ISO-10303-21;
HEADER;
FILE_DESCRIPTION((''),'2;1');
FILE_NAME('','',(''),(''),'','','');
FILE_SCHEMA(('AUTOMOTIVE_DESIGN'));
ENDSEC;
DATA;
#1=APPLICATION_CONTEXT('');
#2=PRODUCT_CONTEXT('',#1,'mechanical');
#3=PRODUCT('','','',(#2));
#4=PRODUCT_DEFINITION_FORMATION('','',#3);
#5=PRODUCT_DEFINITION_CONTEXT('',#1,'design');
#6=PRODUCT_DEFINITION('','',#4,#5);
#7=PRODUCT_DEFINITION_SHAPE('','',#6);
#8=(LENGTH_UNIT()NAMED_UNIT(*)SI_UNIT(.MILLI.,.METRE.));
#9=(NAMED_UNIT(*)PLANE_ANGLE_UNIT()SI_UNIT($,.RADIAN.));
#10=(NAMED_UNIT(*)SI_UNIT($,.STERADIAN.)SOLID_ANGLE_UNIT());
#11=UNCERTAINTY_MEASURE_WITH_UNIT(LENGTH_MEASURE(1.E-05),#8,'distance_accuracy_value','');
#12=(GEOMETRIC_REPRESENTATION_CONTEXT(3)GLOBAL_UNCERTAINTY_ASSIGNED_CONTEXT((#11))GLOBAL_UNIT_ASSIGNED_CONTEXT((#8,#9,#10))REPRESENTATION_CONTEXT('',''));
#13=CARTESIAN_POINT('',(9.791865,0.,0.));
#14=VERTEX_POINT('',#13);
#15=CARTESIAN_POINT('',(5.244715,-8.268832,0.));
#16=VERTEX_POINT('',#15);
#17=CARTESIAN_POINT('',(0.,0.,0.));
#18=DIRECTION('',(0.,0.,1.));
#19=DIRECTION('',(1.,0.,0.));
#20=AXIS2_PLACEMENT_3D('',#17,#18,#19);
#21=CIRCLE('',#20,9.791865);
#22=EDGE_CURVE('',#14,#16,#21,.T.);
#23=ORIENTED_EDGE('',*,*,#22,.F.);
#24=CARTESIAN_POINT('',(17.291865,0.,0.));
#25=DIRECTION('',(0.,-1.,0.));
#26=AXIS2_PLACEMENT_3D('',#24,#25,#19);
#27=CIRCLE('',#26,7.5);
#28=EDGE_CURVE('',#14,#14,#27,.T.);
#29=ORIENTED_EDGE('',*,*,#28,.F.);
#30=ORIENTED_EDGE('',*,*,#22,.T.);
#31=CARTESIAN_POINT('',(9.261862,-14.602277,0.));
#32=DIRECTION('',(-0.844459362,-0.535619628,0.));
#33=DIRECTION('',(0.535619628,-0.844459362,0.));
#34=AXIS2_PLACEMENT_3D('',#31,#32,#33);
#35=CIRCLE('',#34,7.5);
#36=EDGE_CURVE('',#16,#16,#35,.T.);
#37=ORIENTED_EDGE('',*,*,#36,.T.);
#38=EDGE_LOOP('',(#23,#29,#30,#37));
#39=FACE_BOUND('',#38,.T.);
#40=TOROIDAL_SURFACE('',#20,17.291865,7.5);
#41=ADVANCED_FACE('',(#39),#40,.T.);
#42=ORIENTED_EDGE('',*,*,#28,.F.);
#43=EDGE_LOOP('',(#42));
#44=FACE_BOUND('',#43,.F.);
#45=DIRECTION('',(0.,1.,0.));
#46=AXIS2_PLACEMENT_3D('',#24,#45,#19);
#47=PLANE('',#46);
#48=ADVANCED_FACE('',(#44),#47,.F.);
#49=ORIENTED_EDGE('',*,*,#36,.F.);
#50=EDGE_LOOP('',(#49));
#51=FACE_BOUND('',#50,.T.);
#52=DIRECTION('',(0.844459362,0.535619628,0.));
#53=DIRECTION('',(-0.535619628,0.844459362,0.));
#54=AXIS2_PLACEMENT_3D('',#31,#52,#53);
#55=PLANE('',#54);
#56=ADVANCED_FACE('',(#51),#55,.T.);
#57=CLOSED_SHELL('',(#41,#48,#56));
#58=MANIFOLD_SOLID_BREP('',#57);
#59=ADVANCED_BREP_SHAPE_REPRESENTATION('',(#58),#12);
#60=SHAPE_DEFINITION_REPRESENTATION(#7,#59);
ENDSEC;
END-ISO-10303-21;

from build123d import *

# Parameters (mm, degrees)
F2_R = 7.5


with BuildPart() as f3:
    # F3: sweep along a path in F0
    with BuildLine(Plane.XY) as f3_path:
        ThreePointArc((25, 0), (-21.9061893941, 12.0465292193), (13.3904907015, -21.1114840495))
    # F2 (on line) → F3 (sweep)
    with BuildSketch(Plane(origin=(0, 0, 0), x_dir=(-1, 0, 0), z_dir=(0, 1, 0))):
        with Locations((-17.291864696, 0)):
            Circle(F2_R)
    sweep(path=f3_path.line)


solid = f3.part
